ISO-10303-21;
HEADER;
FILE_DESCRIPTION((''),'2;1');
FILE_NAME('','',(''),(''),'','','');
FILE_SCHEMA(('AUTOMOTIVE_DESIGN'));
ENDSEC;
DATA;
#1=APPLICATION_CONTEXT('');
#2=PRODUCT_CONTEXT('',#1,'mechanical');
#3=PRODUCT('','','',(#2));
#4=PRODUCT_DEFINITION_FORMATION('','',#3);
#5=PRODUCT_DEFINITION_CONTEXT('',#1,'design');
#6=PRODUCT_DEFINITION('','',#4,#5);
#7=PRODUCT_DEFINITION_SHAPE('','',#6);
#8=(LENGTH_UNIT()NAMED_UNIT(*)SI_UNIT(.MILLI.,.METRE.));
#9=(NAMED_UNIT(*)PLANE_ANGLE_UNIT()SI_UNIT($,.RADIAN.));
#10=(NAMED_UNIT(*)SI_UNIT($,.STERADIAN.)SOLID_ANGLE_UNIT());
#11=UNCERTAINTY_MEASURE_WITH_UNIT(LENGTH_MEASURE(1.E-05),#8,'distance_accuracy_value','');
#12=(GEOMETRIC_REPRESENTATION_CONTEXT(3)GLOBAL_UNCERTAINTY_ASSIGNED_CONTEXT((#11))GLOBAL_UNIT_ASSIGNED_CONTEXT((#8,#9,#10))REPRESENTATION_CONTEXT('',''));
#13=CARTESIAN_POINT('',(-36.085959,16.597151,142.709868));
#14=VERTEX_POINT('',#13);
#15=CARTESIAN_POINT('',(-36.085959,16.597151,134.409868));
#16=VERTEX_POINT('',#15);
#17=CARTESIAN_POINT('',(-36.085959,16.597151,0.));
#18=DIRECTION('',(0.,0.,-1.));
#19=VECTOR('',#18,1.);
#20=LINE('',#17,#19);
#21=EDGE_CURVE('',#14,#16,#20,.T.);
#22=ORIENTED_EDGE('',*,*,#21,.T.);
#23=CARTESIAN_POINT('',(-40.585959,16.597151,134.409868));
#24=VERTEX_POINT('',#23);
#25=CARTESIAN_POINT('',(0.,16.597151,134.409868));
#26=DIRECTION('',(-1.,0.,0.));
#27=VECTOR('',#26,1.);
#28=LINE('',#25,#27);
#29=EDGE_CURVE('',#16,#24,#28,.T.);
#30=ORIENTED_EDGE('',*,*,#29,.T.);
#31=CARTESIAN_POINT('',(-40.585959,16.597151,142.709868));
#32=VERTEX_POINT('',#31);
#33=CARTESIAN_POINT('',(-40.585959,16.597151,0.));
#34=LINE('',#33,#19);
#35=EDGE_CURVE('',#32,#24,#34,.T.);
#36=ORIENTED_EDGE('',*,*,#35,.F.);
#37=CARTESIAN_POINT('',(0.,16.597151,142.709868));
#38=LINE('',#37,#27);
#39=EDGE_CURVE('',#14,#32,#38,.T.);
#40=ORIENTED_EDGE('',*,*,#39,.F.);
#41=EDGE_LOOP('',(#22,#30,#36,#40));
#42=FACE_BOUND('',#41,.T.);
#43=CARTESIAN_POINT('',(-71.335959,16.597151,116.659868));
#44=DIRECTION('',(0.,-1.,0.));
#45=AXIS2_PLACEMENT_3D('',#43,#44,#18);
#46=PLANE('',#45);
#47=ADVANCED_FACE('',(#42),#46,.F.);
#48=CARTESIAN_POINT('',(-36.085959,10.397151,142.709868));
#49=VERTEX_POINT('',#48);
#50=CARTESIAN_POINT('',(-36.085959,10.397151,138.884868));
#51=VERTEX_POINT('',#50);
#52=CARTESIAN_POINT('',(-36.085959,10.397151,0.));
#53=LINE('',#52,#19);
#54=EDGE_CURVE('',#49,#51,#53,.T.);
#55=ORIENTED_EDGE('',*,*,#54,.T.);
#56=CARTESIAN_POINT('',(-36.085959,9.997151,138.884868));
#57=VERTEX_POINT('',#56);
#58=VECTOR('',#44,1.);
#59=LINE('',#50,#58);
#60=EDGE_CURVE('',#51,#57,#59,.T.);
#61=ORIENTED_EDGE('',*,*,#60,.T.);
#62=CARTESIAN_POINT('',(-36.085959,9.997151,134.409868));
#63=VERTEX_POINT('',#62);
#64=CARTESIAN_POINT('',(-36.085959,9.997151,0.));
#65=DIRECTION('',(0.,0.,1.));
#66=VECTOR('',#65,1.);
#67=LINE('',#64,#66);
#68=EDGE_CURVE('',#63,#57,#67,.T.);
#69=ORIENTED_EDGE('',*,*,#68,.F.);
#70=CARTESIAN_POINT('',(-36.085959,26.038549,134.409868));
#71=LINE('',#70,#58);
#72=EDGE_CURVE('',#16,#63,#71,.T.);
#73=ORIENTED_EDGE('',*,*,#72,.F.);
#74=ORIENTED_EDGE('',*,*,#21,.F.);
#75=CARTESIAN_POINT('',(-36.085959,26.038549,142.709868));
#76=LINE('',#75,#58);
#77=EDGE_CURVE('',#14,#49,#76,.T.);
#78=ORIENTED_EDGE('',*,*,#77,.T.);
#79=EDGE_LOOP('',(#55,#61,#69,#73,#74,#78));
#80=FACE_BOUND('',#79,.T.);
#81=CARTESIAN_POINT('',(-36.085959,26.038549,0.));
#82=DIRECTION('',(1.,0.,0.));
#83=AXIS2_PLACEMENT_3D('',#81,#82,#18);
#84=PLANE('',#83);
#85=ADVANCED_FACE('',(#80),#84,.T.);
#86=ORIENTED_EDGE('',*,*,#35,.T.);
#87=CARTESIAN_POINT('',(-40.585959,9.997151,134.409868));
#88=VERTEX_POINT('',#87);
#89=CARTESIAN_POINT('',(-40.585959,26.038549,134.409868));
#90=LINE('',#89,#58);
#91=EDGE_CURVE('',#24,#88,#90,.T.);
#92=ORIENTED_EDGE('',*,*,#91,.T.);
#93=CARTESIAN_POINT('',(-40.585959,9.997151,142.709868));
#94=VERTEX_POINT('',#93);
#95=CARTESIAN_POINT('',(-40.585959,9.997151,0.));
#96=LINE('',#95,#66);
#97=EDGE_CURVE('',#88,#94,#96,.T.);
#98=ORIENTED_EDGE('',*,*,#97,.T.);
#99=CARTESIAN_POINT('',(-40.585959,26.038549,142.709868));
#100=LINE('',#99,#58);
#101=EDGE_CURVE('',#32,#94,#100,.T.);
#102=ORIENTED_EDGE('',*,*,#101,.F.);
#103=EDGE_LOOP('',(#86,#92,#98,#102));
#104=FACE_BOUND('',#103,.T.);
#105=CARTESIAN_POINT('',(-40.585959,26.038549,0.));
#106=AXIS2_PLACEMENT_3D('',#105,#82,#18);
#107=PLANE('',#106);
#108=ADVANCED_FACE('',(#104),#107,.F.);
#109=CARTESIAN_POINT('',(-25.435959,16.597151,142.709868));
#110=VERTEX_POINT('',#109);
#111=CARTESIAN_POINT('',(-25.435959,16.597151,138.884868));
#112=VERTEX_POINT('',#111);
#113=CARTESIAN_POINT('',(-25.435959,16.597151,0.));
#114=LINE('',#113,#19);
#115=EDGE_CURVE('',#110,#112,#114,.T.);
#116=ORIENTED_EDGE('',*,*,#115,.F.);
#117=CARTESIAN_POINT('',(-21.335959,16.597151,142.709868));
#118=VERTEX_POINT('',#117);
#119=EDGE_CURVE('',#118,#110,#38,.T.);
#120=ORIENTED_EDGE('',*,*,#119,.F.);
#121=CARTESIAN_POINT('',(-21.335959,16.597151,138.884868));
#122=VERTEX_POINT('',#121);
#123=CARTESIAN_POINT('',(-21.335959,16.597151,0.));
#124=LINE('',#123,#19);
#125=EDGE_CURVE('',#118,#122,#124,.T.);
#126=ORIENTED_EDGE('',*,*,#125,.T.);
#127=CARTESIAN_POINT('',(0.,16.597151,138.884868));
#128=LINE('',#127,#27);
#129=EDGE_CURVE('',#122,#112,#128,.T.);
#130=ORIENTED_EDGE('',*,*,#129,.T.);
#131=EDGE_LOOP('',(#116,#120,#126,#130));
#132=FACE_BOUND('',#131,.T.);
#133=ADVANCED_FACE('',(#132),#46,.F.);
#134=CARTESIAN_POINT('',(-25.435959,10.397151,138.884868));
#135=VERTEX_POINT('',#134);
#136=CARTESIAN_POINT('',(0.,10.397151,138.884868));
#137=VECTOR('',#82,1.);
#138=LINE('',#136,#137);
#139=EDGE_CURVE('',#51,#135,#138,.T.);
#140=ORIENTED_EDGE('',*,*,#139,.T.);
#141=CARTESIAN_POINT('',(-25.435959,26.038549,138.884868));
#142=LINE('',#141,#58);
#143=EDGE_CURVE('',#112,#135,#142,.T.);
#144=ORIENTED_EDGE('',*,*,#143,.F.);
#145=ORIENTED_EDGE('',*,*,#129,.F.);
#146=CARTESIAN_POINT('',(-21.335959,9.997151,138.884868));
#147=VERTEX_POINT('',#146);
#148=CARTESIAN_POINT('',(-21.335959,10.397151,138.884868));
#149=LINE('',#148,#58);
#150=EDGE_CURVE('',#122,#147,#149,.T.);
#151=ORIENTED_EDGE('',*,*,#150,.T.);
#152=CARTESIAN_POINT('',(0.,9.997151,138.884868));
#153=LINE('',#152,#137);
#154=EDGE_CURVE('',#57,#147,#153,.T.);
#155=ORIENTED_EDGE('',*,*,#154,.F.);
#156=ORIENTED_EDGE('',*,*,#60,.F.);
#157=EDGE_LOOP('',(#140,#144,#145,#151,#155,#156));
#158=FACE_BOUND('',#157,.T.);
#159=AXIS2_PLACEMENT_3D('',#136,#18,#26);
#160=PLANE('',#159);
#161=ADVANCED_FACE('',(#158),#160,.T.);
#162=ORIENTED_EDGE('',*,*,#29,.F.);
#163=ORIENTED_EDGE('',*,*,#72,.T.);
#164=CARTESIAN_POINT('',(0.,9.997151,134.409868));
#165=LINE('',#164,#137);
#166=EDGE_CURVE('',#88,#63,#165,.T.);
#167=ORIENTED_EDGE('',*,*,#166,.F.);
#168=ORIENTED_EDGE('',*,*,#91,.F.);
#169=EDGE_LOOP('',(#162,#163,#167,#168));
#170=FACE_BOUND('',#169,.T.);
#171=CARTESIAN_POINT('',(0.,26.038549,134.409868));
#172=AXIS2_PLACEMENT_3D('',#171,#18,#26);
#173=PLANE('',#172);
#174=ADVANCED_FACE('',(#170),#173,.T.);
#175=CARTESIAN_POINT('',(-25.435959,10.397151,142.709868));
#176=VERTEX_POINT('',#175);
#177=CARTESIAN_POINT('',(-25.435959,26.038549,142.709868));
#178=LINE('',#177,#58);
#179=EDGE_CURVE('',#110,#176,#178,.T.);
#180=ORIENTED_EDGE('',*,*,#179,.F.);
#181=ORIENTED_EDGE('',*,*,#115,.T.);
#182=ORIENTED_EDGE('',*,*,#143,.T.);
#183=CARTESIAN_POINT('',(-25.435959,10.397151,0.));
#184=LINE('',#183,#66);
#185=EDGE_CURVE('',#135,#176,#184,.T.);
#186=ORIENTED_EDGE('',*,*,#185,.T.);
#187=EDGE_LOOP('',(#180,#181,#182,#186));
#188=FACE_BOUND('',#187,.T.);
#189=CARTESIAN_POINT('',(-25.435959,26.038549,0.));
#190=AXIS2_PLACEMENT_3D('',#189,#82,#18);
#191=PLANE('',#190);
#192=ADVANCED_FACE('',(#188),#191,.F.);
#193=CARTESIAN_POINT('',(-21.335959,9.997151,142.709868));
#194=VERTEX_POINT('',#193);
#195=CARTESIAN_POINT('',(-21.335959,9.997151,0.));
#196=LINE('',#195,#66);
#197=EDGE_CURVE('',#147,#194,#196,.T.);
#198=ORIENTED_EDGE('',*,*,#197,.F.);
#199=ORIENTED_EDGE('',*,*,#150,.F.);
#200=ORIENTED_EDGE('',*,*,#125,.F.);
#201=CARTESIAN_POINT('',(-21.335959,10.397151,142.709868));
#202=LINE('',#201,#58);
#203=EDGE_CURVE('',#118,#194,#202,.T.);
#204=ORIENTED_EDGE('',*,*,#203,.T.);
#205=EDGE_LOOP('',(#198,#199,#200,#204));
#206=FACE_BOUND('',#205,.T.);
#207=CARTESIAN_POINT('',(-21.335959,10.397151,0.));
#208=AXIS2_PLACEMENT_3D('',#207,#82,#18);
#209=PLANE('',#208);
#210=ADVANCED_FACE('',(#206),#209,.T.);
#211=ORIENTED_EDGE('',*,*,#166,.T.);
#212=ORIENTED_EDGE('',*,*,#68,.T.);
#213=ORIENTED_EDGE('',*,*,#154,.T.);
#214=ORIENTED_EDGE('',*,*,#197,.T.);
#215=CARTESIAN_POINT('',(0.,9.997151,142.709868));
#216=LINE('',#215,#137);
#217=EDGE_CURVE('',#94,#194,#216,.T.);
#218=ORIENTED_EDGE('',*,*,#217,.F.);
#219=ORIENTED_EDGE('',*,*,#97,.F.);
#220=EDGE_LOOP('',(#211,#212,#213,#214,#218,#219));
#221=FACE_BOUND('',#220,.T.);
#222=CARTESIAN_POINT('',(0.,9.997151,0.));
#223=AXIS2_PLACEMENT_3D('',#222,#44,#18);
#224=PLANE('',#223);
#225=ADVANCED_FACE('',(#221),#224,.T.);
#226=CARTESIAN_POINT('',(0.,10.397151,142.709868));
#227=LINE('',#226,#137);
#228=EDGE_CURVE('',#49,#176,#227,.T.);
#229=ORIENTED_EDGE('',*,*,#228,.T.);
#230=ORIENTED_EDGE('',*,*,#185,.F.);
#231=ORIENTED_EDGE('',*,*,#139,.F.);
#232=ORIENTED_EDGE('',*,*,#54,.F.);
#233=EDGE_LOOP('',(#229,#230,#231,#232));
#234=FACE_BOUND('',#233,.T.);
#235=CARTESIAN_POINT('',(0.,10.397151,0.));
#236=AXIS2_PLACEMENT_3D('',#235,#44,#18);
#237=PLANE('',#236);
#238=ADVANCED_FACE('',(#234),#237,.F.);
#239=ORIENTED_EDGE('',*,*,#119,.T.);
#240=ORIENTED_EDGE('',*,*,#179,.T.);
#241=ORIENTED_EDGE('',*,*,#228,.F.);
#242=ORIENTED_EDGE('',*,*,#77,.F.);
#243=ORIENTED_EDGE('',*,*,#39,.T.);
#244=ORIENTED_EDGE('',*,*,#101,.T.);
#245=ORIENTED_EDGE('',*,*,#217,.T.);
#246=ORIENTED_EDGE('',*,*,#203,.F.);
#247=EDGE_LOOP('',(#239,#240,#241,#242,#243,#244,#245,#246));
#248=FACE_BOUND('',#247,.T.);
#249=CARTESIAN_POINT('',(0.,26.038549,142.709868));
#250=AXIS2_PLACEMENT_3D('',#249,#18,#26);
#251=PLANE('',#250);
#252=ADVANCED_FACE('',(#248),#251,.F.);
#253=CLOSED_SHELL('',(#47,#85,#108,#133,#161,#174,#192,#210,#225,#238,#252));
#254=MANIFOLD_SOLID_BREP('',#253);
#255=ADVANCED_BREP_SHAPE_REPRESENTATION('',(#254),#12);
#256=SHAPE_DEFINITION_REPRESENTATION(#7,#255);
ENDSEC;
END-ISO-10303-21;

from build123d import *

# Parameters (mm, degrees)
SCHIZZO1_W                   = 4.5
SCHIZZO1_H                   = 3.825
SCHIZZO1_H_2                 = 4.475
SCHIZZO1_W_2                 = 4.1
ESTRUSIONE_ESTRUSIONE1_DEPTH = 6.6
SCHIZZO1_4_W                 = 4.5
SCHIZZO1_4_H                 = 4.475
SCHIZZO1_4_H_2               = 3.825
SCHIZZO1_4_W_2               = 10.65
SCHIZZO1_4_W_3               = 4.1
ESTRUSIONE_ESTRUSIONE2_DEPTH = 0.4


with BuildPart() as part:
    # Schizzo1 → Estrusione-Estrusione1 (new body)
    with BuildSketch(Plane.XZ.offset(-9.997150898)):
        with Locations((-38.335959006, 140.797368204)):
            Rectangle(SCHIZZO1_W, SCHIZZO1_H)
        with Locations((-38.335959006, 136.647368204)):
            Rectangle(SCHIZZO1_W, SCHIZZO1_H_2)
        with Locations((-23.385959006, 140.797368204)):
            Rectangle(SCHIZZO1_W_2, SCHIZZO1_H)
    extrude(amount=-ESTRUSIONE_ESTRUSIONE1_DEPTH)

    # Schizzo1<4> → Estrusione-Estrusione2 (add)
    with BuildSketch(Plane.XZ.offset(-9.997150898)):
        with Locations((-38.335959006, 136.647368204)):
            Rectangle(SCHIZZO1_4_W, SCHIZZO1_4_H)
        with Locations((-38.335959006, 140.797368204)):
            Rectangle(SCHIZZO1_4_W, SCHIZZO1_4_H_2)
        with Locations((-30.760959006, 140.797368204)):
            Rectangle(SCHIZZO1_4_W_2, SCHIZZO1_4_H_2)
        with Locations((-23.385959006, 140.797368204)):
            Rectangle(SCHIZZO1_4_W_3, SCHIZZO1_4_H_2)
    extrude(amount=-ESTRUSIONE_ESTRUSIONE2_DEPTH)


solid = part.part
